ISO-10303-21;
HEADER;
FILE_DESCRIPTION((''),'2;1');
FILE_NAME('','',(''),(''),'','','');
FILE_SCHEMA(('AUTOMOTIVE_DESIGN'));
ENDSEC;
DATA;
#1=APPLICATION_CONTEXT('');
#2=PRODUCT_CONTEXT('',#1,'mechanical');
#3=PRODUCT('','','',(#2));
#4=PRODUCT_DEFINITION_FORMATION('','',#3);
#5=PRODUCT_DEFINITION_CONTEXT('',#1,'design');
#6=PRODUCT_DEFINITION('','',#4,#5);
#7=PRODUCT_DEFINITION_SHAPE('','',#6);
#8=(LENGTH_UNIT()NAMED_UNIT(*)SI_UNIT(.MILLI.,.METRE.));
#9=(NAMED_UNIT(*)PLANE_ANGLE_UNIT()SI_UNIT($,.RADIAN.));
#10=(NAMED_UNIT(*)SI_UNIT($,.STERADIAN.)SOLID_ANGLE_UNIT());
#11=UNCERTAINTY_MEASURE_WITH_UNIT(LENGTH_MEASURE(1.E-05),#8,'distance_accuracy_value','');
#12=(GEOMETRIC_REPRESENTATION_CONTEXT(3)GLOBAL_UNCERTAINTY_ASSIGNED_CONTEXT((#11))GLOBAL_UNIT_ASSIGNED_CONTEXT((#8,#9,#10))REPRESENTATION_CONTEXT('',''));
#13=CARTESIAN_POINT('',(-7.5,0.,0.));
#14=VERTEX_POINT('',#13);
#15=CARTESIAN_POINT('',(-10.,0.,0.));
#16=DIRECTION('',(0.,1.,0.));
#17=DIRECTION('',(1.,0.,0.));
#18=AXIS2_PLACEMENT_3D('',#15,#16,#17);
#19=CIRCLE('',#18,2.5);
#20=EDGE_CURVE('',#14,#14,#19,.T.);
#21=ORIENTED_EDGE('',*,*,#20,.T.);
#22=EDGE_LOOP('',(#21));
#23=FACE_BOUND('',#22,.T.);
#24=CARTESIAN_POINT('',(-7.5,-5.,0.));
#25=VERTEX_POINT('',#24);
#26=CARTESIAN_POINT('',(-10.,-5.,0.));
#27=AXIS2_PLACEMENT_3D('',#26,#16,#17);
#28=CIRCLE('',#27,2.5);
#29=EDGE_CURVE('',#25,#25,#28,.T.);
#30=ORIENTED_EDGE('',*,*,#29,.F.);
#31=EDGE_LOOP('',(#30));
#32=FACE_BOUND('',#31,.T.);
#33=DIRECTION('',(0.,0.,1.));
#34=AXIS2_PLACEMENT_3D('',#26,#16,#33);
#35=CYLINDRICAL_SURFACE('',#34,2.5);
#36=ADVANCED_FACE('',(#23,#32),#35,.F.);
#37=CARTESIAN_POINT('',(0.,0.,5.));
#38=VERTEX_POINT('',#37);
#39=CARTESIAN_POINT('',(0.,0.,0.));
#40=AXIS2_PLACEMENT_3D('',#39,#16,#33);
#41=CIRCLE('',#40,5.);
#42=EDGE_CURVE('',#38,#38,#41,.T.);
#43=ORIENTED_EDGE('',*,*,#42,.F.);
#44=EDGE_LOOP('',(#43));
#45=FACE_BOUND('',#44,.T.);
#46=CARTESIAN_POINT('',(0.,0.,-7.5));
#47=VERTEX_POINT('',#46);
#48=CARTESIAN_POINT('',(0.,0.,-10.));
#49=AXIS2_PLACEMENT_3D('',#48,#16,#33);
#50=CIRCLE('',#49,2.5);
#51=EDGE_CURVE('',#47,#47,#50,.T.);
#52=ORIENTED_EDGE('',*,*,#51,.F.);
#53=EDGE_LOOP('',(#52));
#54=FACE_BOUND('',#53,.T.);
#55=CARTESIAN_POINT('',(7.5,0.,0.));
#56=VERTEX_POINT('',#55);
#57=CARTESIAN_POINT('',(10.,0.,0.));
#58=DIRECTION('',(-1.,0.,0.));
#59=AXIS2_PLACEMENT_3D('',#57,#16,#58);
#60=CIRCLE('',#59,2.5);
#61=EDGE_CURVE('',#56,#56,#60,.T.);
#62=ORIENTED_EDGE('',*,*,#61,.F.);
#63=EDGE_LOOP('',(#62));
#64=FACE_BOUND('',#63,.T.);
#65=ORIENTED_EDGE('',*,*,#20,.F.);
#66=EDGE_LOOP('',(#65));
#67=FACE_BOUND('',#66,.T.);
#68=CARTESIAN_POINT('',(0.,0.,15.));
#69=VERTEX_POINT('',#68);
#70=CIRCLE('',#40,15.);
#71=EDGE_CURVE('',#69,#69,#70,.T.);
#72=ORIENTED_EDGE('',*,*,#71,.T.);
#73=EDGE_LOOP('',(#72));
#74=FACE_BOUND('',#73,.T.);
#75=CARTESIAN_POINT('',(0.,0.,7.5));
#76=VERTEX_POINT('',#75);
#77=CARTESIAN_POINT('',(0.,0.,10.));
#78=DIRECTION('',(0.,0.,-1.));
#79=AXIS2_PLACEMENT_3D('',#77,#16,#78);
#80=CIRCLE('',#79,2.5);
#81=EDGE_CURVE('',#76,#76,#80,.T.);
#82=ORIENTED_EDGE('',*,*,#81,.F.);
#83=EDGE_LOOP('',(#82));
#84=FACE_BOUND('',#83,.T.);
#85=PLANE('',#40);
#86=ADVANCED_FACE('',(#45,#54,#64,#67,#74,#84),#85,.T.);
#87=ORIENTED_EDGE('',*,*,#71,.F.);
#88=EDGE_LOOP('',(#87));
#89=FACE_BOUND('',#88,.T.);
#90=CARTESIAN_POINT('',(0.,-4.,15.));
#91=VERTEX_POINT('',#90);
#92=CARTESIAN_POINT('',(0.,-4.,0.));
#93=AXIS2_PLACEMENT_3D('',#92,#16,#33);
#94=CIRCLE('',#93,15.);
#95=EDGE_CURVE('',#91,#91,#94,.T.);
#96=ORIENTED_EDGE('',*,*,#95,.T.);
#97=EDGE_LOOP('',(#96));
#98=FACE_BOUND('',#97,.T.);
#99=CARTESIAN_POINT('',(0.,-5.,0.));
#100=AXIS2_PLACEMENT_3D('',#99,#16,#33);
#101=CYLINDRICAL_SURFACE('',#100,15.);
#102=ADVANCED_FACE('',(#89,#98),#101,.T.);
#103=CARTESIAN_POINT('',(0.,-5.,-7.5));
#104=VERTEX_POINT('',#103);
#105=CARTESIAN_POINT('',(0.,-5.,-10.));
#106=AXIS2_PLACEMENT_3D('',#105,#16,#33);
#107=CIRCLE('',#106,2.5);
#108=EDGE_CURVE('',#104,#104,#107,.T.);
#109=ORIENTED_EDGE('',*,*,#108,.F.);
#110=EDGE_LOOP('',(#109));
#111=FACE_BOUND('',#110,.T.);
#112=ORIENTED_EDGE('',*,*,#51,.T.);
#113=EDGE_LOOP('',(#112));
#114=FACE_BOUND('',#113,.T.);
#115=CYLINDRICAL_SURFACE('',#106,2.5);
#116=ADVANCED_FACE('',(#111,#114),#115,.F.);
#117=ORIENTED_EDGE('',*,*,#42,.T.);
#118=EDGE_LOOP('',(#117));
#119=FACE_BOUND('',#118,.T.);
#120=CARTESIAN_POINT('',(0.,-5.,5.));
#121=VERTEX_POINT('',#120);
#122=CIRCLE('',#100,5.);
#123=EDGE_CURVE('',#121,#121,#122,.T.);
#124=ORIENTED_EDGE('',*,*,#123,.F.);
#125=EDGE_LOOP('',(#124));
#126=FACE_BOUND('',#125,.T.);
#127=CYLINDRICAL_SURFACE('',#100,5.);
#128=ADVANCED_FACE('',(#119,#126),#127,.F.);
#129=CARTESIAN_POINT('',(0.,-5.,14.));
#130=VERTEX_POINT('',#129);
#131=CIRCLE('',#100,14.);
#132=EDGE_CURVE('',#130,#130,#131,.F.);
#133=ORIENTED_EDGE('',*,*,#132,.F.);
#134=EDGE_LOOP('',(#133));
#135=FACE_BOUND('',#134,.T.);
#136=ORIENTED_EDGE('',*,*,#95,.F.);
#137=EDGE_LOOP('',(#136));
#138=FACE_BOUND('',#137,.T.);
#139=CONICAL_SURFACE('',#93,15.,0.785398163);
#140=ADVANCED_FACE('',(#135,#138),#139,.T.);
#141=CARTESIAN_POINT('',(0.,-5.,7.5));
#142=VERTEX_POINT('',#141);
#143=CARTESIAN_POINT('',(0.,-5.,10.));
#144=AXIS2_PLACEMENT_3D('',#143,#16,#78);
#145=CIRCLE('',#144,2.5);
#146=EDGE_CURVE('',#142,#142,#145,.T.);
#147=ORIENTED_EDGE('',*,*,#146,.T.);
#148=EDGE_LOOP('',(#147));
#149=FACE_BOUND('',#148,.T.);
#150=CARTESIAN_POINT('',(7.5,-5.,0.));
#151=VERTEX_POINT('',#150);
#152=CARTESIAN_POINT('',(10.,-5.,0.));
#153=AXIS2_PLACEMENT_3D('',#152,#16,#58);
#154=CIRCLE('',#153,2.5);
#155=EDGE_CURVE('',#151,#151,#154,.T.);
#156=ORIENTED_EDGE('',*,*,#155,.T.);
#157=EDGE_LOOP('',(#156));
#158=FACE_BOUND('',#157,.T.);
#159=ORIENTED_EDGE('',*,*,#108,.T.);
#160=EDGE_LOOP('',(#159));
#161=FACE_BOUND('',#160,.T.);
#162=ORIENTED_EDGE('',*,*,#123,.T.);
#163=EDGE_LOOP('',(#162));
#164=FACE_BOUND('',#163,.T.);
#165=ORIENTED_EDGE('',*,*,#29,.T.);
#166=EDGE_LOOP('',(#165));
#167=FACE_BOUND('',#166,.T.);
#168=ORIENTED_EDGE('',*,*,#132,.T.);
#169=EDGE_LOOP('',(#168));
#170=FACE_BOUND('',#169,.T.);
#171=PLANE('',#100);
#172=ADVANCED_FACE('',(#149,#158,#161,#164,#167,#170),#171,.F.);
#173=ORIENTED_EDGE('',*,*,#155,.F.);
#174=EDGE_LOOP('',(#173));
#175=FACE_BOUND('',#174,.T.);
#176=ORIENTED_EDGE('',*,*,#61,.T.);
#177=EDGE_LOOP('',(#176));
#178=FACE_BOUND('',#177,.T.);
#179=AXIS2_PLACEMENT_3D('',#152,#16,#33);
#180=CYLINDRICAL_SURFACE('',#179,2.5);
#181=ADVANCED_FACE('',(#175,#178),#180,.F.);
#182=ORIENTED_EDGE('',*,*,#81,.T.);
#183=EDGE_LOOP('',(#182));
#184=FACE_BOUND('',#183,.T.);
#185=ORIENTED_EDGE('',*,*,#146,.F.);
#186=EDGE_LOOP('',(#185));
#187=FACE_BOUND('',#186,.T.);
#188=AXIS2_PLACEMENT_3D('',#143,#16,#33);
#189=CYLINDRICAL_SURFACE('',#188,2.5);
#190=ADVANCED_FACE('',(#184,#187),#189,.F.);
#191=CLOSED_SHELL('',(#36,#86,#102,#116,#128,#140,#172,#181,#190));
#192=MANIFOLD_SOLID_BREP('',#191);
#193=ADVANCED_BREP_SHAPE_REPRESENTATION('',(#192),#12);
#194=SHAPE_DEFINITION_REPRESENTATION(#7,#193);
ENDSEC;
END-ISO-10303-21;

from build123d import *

# Parameters (mm, degrees)
SKETCH1_R           = 15
SKETCH1_R_2         = 5
BOSS_EXTRUDE1_DEPTH = 5
SKETCH1_3_R         = 2.5
CUT_EXTRUDE1_DEPTH  = 5
CIRPATTERN1_COUNT   = 4
CHAMFER1_SIZE       = 1


with BuildPart() as part:
    # Sketch1 → Boss-Extrude1 (new body)
    with BuildSketch(Plane(origin=(0, 0, 0), x_dir=(1, 0, 0), z_dir=(0, 1, 0))):
        Circle(SKETCH1_R)
        Circle(SKETCH1_R_2, mode=Mode.SUBTRACT)
    extrude(amount=-BOSS_EXTRUDE1_DEPTH)

    # Sketch1<3> → Cut-Extrude1 (cut)
    with BuildSketch(Plane(origin=(0, 0, 0), x_dir=(1, 0, 0), z_dir=(0, 1, 0))):
        with Locations((0, 10)):
            Circle(SKETCH1_3_R)
    cut_extrude1 = extrude(amount=-CUT_EXTRUDE1_DEPTH, mode=Mode.SUBTRACT)

    # CirPattern1: Cut-Extrude1 ×4 about axis
    cirpattern1_axis = Axis((0, -5, 0), (0, 1, 0))
    for i in range(1, CIRPATTERN1_COUNT):
        add(cut_extrude1.rotate(cirpattern1_axis, i * 360 / CIRPATTERN1_COUNT), mode=Mode.SUBTRACT)

    # Chamfer1
    chamfer1_edges = [part.edges().sort_by_distance(p)[0] for p in [
        (-15, -5, 0),
    ]]
    chamfer(chamfer1_edges, length=CHAMFER1_SIZE)


solid = part.part
